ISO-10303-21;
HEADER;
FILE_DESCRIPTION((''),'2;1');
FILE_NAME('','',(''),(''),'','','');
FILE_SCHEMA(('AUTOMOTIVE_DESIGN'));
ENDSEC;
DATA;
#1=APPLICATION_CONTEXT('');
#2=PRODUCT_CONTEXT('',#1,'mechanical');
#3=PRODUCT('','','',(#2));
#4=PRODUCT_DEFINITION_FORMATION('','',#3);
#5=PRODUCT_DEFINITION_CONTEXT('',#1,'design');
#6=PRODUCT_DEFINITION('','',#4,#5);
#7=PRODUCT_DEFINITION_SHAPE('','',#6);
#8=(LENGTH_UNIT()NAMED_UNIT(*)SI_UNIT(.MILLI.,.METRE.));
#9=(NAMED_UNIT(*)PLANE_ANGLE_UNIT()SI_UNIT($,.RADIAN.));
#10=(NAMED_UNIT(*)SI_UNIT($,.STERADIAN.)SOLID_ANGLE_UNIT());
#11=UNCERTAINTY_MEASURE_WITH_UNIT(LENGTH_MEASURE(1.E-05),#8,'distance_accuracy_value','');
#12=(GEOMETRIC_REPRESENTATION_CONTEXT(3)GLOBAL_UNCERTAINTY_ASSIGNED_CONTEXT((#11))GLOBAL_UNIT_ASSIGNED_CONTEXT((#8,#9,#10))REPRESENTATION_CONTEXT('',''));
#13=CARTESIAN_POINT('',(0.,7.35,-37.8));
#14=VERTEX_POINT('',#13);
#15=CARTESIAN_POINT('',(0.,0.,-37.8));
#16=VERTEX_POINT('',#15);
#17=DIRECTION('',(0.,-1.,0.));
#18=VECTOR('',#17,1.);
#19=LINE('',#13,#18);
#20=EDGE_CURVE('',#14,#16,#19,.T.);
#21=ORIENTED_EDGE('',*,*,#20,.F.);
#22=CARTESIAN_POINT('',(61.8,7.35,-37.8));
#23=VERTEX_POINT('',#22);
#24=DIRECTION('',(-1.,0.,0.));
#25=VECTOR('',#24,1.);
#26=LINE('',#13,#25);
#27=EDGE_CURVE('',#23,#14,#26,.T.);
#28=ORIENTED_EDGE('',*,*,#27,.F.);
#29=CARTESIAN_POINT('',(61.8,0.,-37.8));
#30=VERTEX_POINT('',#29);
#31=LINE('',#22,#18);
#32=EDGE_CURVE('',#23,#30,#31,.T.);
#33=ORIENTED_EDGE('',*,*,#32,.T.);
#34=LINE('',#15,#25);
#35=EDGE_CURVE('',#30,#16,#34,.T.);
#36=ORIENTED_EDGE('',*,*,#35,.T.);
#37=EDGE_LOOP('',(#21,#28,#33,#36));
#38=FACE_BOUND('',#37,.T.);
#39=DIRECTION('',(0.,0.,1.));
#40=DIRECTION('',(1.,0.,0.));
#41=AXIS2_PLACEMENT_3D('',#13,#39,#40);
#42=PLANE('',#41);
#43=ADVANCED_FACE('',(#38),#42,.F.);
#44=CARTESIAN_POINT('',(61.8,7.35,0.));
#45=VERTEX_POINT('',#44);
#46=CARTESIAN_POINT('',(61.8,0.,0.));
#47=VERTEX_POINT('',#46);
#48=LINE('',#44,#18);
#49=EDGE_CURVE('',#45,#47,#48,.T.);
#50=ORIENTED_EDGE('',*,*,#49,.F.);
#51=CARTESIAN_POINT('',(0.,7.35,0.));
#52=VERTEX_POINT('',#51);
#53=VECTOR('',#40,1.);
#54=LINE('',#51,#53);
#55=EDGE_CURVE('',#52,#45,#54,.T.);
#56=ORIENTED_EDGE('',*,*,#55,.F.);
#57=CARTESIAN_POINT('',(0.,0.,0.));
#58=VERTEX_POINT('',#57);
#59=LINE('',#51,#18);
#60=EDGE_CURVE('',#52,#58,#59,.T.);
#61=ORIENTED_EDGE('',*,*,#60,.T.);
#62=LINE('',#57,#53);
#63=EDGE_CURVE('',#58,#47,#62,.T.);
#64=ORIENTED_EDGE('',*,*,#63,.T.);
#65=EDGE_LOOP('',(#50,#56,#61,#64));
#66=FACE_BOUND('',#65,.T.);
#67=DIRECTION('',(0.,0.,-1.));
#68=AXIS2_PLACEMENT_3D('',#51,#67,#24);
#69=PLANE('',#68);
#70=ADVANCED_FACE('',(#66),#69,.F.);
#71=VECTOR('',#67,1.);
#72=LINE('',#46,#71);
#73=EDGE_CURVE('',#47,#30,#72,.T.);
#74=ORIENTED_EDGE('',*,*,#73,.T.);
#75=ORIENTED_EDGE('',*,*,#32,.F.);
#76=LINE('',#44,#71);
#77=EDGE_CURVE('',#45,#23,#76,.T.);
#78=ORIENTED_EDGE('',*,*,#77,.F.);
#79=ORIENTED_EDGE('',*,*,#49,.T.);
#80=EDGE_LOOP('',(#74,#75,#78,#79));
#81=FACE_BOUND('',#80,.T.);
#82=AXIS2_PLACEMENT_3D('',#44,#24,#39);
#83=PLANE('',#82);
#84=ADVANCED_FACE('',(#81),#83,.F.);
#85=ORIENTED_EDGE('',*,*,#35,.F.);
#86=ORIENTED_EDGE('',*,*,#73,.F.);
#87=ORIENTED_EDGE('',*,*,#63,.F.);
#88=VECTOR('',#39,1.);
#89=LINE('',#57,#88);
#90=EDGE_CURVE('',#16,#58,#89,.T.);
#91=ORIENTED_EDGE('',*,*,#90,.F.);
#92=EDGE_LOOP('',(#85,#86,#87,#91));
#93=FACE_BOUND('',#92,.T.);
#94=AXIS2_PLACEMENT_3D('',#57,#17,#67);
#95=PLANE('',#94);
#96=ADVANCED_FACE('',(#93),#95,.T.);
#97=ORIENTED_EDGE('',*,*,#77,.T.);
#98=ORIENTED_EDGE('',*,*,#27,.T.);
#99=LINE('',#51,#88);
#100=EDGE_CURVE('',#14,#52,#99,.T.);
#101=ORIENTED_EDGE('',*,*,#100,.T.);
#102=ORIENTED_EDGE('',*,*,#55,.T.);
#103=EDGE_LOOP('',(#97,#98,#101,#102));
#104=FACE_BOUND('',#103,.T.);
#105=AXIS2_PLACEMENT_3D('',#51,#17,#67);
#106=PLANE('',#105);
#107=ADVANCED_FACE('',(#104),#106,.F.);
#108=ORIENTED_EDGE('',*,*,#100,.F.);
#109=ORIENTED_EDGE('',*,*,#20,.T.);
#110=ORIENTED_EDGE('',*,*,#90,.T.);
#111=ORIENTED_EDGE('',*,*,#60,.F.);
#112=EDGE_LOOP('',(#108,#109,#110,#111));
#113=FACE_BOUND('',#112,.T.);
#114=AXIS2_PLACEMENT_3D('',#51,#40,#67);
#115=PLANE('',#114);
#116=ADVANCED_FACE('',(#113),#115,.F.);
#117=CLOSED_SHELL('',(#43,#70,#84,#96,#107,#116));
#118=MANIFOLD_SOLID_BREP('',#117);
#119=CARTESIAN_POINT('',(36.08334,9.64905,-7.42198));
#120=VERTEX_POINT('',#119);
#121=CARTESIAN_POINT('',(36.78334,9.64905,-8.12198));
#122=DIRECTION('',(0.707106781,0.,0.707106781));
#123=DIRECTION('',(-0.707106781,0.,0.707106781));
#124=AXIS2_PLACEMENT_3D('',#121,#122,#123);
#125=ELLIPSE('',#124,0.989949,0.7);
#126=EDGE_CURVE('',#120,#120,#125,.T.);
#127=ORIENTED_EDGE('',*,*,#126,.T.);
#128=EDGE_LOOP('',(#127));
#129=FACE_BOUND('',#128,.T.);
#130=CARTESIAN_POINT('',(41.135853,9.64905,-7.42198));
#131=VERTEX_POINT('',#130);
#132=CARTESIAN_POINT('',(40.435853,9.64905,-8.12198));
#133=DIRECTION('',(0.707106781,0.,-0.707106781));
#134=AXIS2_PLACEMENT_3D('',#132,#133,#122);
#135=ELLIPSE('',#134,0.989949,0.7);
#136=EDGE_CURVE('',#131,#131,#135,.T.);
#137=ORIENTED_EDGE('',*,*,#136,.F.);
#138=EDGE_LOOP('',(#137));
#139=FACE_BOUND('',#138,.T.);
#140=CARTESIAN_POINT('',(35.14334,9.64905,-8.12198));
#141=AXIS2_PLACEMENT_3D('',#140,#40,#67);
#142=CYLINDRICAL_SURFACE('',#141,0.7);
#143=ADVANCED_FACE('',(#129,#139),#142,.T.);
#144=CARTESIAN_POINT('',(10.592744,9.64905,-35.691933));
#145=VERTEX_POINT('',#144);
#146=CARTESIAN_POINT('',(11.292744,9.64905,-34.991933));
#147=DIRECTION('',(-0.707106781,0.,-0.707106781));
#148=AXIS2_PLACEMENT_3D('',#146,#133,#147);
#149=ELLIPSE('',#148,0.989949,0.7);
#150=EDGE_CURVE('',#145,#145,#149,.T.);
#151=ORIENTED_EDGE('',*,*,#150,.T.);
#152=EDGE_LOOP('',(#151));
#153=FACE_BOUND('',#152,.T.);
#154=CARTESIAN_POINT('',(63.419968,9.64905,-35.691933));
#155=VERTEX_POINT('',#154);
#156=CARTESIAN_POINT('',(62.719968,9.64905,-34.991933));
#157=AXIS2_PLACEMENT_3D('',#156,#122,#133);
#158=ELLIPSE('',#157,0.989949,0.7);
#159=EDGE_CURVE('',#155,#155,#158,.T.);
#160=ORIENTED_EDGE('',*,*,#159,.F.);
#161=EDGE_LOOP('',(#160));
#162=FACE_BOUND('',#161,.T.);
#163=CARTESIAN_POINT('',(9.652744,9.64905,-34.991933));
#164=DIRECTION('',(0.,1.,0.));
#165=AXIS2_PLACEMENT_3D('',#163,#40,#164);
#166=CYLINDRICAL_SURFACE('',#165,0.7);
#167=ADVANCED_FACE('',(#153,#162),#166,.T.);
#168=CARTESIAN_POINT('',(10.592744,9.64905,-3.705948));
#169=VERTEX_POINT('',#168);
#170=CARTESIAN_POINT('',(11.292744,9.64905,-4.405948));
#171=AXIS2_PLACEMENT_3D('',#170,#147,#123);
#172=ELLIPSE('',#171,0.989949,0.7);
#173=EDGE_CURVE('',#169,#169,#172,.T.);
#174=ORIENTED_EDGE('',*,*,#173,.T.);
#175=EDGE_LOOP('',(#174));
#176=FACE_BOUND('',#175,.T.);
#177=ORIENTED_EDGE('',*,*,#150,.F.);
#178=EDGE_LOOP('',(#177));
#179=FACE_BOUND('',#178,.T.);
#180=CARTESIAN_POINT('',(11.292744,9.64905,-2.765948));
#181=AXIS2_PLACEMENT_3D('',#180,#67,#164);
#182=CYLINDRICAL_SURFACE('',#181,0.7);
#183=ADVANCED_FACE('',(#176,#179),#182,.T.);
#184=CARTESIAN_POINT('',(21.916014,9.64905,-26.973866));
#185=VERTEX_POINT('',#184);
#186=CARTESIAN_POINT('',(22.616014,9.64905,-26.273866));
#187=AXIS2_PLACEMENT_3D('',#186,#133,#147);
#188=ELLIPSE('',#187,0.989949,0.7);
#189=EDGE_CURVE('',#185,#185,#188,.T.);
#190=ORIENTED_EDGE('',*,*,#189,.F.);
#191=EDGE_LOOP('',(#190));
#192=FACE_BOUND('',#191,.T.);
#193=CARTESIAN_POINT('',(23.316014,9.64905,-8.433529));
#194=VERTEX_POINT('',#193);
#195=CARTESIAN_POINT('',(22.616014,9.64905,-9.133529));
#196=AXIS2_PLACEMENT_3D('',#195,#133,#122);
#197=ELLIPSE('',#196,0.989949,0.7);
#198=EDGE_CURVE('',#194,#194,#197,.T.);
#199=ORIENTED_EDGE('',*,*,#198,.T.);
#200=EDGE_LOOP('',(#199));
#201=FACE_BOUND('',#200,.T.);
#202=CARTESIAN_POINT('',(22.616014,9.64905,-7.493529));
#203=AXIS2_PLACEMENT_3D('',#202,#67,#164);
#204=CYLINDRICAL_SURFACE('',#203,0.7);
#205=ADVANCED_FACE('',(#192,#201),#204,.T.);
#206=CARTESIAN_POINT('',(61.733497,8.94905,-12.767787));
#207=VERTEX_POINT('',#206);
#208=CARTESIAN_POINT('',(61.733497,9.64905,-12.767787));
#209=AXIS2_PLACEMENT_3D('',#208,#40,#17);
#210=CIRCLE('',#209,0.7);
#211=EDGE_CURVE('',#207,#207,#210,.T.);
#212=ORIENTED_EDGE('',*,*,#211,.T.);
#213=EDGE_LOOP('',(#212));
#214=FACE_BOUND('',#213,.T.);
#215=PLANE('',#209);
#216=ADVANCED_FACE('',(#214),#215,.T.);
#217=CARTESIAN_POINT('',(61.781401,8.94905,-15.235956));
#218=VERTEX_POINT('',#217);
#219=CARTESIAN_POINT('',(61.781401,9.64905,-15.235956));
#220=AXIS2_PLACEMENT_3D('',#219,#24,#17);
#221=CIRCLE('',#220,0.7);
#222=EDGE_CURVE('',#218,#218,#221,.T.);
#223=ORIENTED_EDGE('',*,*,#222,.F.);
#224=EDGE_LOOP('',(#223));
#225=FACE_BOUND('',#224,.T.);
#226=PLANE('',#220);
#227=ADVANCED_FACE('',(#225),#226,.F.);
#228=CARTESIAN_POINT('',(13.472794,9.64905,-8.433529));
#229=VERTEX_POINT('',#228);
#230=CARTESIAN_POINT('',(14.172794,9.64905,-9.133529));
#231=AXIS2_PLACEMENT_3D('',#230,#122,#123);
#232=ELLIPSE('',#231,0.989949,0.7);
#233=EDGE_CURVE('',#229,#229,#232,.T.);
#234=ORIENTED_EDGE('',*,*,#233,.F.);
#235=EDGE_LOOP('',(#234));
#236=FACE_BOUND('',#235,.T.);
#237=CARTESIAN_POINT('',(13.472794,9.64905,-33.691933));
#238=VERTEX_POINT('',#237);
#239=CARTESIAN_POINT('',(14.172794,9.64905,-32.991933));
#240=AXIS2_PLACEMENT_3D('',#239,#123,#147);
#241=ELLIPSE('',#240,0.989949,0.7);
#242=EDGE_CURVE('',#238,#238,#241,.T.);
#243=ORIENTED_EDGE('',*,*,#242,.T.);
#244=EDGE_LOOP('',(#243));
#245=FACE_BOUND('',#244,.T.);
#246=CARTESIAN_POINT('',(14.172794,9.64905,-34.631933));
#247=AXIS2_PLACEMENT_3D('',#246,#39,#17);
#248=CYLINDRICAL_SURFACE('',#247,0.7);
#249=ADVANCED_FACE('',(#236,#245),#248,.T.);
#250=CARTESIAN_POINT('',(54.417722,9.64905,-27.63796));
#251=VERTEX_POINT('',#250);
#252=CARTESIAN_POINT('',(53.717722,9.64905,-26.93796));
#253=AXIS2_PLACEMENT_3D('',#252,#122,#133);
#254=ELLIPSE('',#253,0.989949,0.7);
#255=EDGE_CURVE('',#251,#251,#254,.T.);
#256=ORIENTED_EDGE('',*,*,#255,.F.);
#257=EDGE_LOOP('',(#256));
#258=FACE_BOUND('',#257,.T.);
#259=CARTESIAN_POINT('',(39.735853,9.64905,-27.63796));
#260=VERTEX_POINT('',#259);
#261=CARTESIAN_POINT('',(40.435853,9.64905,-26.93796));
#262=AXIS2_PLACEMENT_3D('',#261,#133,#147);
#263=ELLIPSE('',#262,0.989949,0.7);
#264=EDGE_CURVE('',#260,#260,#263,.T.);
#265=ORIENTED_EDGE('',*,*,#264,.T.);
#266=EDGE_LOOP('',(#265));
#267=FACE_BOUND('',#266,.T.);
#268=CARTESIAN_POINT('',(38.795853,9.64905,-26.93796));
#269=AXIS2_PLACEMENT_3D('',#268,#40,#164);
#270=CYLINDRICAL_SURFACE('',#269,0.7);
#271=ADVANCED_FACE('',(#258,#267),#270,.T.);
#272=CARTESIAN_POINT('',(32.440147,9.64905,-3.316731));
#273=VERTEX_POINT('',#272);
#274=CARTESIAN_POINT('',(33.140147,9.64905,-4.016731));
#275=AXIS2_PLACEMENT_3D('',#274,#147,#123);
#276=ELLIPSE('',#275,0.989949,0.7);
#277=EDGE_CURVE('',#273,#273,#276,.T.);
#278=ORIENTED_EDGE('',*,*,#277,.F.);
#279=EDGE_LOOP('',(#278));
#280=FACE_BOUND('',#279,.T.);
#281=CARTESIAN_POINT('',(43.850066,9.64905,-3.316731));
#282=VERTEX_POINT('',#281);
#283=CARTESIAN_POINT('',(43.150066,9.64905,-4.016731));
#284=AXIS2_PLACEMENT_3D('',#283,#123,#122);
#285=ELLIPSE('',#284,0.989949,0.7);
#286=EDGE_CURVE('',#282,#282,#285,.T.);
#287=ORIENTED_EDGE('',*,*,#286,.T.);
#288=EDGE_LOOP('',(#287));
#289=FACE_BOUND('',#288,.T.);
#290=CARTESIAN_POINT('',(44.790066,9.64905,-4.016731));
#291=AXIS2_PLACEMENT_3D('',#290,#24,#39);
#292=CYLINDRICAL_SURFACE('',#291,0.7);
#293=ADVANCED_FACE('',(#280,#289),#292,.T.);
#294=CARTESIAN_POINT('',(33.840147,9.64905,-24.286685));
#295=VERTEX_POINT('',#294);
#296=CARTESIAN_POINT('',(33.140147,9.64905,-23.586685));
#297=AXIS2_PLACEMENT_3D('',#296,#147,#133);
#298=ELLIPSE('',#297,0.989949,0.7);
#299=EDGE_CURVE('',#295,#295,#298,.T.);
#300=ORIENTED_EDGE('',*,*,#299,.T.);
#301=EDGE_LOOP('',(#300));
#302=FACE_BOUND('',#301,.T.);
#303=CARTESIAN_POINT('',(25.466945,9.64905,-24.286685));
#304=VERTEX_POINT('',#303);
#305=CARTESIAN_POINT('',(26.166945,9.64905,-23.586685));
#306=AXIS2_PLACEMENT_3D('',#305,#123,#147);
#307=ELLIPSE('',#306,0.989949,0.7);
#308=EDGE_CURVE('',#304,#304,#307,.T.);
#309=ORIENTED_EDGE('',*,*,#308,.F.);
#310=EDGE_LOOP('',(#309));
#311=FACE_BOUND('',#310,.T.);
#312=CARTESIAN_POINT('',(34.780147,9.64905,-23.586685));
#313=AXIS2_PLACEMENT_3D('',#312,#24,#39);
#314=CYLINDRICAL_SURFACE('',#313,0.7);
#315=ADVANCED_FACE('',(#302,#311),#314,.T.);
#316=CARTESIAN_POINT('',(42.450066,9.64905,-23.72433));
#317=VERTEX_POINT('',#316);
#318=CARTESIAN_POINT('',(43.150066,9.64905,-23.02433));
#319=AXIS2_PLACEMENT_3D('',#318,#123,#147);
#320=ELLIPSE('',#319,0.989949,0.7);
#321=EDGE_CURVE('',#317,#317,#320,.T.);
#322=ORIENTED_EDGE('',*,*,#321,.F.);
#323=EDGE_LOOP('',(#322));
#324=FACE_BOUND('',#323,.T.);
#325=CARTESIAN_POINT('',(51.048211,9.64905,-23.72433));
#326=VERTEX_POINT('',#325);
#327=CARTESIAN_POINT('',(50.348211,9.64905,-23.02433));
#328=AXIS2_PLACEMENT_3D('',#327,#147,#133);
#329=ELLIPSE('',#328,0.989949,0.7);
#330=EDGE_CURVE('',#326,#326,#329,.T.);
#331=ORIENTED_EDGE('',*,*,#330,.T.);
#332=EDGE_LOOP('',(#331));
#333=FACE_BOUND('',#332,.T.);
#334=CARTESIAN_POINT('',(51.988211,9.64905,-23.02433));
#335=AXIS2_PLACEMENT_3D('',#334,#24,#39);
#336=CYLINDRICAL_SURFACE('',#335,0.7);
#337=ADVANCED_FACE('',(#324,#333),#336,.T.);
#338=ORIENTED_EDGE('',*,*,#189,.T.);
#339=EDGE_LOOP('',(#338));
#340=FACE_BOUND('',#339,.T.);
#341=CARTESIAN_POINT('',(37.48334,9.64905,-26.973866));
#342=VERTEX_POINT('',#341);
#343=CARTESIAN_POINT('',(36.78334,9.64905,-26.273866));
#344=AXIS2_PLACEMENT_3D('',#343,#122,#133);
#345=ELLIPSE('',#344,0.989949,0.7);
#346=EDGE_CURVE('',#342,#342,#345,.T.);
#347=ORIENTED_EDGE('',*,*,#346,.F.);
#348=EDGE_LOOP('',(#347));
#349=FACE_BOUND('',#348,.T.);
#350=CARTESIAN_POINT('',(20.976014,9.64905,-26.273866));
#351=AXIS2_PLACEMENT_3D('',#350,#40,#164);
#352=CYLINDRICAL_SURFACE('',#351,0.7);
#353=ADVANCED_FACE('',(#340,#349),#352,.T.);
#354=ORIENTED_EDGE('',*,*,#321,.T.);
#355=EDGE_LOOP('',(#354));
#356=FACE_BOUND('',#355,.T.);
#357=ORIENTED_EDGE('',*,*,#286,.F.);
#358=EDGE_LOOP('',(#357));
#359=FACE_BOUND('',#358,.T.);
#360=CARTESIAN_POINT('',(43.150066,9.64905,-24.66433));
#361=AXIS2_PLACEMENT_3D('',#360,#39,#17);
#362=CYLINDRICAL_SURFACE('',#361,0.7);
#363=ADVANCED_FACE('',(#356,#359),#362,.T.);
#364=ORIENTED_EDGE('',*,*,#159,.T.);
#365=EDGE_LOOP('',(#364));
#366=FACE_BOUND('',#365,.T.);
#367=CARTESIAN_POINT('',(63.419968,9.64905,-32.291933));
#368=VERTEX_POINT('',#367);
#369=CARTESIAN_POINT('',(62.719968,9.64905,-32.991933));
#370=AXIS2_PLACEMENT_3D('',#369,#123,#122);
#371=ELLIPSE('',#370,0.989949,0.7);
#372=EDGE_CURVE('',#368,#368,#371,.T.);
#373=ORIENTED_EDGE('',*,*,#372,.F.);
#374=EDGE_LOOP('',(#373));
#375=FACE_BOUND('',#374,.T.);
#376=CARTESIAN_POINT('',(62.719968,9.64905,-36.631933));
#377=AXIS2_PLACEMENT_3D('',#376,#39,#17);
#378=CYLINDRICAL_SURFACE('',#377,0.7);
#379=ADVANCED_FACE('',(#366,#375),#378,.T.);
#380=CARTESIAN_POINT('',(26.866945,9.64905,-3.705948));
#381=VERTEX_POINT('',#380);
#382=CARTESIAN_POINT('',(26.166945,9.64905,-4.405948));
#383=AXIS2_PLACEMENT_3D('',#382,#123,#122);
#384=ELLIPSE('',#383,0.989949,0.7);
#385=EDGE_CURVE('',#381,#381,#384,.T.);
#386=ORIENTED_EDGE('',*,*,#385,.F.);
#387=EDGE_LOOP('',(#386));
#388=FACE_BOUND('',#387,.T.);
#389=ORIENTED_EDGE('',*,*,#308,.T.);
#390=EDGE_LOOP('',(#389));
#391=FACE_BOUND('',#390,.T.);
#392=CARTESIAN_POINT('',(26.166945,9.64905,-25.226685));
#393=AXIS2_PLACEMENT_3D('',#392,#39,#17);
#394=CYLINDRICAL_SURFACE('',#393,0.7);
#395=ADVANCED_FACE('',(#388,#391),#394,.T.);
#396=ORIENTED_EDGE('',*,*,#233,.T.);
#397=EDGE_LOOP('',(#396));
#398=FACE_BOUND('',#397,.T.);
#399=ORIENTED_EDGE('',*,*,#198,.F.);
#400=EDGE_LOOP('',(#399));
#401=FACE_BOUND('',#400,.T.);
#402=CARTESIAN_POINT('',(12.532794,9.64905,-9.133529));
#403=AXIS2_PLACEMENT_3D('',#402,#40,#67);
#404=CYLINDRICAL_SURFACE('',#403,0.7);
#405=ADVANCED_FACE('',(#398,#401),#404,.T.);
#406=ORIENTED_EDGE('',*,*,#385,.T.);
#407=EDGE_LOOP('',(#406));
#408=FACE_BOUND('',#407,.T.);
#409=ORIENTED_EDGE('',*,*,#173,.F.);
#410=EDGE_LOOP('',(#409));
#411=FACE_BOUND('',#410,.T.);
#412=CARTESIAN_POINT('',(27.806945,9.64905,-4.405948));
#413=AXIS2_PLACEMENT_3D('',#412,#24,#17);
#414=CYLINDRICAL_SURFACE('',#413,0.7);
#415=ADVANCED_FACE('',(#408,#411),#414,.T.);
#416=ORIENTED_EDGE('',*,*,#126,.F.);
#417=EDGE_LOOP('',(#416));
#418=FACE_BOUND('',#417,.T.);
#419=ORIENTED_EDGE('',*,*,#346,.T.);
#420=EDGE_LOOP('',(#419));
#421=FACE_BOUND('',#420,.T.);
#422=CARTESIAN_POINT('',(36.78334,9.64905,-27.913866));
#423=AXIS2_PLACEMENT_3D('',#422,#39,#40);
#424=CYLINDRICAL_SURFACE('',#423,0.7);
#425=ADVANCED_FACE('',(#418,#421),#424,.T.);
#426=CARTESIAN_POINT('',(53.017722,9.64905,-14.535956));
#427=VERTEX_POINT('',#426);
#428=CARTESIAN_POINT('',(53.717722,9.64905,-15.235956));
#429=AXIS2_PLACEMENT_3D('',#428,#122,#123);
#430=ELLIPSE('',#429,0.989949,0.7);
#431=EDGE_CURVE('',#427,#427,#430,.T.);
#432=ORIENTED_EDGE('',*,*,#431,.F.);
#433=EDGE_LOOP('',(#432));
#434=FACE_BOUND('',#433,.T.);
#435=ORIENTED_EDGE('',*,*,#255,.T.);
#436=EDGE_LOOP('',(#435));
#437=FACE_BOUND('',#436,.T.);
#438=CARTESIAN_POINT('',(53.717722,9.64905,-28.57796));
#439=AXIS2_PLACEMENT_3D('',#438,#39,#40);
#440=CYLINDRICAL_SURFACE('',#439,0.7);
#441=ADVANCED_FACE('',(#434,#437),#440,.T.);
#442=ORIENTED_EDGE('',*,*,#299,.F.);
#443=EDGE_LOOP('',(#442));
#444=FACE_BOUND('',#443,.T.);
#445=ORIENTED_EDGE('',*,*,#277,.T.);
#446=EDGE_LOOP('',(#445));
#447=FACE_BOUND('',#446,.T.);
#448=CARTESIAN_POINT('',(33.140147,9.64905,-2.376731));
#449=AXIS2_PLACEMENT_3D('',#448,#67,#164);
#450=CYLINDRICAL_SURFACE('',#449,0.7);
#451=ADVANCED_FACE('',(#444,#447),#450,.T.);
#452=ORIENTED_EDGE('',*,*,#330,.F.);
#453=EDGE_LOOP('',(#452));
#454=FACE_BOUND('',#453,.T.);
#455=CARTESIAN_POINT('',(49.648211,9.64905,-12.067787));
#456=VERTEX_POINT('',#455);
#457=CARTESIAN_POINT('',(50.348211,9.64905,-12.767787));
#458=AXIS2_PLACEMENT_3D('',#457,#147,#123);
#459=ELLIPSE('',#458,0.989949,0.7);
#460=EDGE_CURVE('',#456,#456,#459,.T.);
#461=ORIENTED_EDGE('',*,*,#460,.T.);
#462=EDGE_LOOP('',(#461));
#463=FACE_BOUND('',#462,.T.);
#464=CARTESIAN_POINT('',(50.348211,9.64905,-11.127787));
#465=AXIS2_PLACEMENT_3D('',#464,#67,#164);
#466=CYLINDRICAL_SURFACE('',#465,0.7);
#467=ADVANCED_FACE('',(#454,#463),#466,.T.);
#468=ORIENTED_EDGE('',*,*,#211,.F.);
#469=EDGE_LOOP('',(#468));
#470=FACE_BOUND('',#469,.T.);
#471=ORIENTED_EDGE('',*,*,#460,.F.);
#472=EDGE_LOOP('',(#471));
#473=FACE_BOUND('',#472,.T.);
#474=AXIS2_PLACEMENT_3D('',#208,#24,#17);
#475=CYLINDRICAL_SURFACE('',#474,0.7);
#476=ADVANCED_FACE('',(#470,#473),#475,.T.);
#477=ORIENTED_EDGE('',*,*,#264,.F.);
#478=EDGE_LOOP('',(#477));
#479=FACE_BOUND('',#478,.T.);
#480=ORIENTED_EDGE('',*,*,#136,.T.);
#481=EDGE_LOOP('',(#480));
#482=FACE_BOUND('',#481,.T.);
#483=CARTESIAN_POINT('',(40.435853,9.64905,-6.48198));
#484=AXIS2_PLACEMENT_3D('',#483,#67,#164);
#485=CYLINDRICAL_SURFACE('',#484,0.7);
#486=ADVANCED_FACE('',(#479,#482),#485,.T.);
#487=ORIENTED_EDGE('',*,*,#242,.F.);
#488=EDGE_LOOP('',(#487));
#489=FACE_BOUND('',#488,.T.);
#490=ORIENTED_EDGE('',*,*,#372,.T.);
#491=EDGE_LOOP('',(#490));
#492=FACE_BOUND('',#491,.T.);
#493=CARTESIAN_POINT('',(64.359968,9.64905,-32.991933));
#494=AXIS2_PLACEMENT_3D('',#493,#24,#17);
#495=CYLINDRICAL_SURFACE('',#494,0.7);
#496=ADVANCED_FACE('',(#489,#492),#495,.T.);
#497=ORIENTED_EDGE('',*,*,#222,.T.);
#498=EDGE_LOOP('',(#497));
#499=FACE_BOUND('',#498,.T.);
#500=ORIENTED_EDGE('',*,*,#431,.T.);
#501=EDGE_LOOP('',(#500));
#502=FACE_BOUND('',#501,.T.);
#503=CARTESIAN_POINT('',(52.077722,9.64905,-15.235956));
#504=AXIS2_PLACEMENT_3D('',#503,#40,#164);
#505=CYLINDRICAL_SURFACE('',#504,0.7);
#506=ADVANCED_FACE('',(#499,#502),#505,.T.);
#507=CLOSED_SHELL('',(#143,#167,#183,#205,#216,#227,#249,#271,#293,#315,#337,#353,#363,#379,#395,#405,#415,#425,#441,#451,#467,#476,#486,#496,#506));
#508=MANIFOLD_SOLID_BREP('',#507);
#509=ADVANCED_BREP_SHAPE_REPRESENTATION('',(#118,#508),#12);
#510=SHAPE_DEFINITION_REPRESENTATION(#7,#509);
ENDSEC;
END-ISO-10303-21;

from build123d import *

# Parameters (mm, degrees)
SKETCH1_W           = 61.8
SKETCH1_H           = 37.8
BOSS_EXTRUDE1_DEPTH = 7.35
SWEEP10_PROFILE_R   = 0.7


with BuildPart() as part:
    # Sketch1 → Boss-Extrude1 (new body)
    with BuildSketch(Plane(origin=(0, 0, 0), x_dir=(1, 0, 0), z_dir=(0, 1, 0))):
        with Locations((30.9, 18.9)):
            Rectangle(SKETCH1_W, SKETCH1_H)
    extrude(amount=BOSS_EXTRUDE1_DEPTH)


with BuildPart() as body_2:
    # Sweep10: sweep along a curve in space
    with BuildLine() as sweep10_path:
        Line((50.348210612, 9.649049906, -12.767787099), (61.733496817, 9.649049906, -12.767787099))
        Line((50.348210612, 9.649049906, -23.024330237), (50.348210612, 9.649049906, -12.767787099))
        Line((43.150066459, 9.649049906, -23.024330237), (50.348210612, 9.649049906, -23.024330237))
        Line((43.150066459, 9.649049906, -4.01673083), (43.150066459, 9.649049906, -23.024330237))
        Line((33.140147245, 9.649049906, -4.01673083), (43.150066459, 9.649049906, -4.01673083))
        Line((33.140147245, 9.649049906, -23.586685249), (33.140147245, 9.649049906, -4.01673083))
        Line((26.166945096, 9.649049906, -23.586685249), (33.140147245, 9.649049906, -23.586685249))
        Line((26.166945096, 9.649049906, -4.405947917), (26.166945096, 9.649049906, -23.586685249))
        Line((11.292743837, 9.649049906, -4.405947917), (26.166945096, 9.649049906, -4.405947917))
        Line((11.292743837, 9.649049906, -4.405947917), (11.292743837, 9.649049906, -34.991932611))
        Line((11.292743837, 9.649049906, -34.991932611), (62.71996786, 9.649049906, -34.991932611))
        Line((62.71996786, 9.649049906, -32.991932611), (62.71996786, 9.649049906, -34.991932611))
        Line((14.172794182, 9.649049906, -32.991932611), (62.71996786, 9.649049906, -32.991932611))
        Line((14.172794182, 9.649049906, -32.991932611), (14.172794182, 9.649049906, -9.133529412))
        Line((14.172794182, 9.649049906, -9.133529412), (22.616013628, 9.649049906, -9.133529412))
        Line((22.616013628, 9.649049906, -9.133529412), (22.616013628, 9.649049906, -26.273866291))
        Line((22.616013628, 9.649049906, -26.273866291), (36.783339685, 9.649049906, -26.273866291))
        Line((36.783339685, 9.649049906, -26.273866291), (36.783339685, 9.649049906, -8.121979781))
        Line((36.783339685, 9.649049906, -8.121979781), (40.435853434, 9.649049906, -8.121979781))
        Line((40.435853434, 9.649049906, -8.121979781), (40.435853434, 9.649049906, -26.9379597))
        Line((40.435853434, 9.649049906, -26.9379597), (53.717721612, 9.649049906, -26.9379597))
        Line((53.717721612, 9.649049906, -26.9379597), (53.717721612, 9.649049906, -15.235955734))
        Line((53.717721612, 9.649049906, -15.235955734), (61.781400604, 9.649049906, -15.235955734))
    # Sweep10 profile (on start of the path) → Sweep10 (sweep)
    with BuildSketch(Plane(origin=(61.781400604, 9.649049906, -15.235955734), x_dir=(0, -1, 0), z_dir=(-1, 0, 0))):
        Circle(SWEEP10_PROFILE_R)
    sweep(path=sweep10_path.line, transition=Transition.RIGHT)


solid = Compound([part.part, body_2.part])
